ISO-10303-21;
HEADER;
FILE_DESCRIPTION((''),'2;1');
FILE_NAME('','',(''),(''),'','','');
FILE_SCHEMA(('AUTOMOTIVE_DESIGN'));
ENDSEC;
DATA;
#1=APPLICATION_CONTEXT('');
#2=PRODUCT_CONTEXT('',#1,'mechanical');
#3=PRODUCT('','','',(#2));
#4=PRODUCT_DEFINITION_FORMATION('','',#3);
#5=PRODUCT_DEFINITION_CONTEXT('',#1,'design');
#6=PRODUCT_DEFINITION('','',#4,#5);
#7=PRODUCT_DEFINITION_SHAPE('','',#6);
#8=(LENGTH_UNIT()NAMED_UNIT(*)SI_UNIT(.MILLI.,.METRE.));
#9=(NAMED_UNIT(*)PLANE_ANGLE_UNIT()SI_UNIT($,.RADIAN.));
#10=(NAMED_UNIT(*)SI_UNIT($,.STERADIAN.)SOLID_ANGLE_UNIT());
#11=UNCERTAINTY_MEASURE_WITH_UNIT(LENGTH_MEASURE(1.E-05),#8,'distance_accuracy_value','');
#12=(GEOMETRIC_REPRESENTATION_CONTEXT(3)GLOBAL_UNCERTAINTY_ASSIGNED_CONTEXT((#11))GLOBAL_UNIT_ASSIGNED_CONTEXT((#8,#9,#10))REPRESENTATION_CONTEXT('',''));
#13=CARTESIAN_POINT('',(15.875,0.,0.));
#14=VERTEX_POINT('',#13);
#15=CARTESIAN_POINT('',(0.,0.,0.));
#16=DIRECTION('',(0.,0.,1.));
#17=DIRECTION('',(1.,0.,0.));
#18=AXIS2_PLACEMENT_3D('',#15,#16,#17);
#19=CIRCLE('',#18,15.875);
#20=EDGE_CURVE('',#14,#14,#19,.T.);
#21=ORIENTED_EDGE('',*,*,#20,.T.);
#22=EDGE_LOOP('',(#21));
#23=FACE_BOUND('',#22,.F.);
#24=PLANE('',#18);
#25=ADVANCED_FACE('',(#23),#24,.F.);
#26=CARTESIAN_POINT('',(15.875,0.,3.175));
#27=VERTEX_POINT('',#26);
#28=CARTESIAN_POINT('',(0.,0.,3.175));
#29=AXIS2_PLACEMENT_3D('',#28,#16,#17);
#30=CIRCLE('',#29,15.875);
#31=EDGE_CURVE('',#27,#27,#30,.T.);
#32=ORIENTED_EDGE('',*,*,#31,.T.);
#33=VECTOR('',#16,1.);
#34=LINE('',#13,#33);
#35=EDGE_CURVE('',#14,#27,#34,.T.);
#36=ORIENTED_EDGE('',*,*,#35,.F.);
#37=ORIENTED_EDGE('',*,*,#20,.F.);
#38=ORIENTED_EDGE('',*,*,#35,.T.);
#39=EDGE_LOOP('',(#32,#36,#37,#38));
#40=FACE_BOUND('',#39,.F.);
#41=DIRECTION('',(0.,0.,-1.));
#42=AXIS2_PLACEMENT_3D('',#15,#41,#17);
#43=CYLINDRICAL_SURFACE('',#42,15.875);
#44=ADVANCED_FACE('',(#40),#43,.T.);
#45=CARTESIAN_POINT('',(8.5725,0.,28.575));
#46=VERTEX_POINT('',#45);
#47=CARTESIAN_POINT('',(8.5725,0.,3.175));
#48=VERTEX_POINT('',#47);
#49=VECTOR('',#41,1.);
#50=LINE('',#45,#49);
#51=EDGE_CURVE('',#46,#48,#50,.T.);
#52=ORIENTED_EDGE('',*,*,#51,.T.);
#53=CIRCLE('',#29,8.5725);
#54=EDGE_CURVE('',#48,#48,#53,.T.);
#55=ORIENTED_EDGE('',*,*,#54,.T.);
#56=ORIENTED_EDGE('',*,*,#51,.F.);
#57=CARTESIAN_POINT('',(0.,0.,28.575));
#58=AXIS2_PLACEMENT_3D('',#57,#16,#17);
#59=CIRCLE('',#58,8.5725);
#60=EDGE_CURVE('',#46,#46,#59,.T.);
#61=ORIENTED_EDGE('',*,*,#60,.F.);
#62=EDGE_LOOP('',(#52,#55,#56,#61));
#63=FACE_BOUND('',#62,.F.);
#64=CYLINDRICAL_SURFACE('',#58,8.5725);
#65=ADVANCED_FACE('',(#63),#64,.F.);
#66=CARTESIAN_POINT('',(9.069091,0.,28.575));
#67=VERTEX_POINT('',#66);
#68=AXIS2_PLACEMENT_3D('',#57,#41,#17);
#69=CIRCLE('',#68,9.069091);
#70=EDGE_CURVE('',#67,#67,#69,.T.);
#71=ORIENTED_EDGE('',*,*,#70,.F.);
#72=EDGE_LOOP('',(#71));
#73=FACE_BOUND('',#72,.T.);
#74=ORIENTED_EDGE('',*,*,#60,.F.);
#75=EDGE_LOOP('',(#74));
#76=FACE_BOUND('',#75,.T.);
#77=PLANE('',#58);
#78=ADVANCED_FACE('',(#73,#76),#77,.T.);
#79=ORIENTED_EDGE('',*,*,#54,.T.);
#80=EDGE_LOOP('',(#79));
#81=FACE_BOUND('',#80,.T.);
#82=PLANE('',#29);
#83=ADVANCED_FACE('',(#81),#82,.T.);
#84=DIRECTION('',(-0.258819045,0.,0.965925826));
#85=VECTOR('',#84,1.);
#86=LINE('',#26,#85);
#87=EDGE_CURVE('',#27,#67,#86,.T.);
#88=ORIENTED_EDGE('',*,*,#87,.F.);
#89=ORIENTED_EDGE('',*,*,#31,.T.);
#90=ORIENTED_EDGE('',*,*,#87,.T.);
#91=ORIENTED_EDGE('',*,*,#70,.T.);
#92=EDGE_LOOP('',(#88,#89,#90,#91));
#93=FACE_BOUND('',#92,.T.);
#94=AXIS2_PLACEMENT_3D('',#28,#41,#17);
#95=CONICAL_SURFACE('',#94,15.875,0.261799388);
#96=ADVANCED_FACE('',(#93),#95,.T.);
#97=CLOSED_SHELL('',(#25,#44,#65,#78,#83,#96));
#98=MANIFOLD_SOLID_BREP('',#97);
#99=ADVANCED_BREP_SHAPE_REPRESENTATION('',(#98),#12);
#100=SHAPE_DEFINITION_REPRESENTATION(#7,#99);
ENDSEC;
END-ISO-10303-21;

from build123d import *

# Parameters (mm, degrees)
F0_R      = 15.875
F1_DEPTH  = 3.175
F1_FACE_R = 15.875
F2_DEPTH  = 25.4
F2_TAPER  = 15
F3_R      = 8.5725
F4_DEPTH  = 25.4


with BuildPart() as f1:
    # F0 (on Top) → F1 (new body)
    with BuildSketch(Plane.XY):
        Circle(F0_R)
    extrude(amount=F1_DEPTH)

    # F1_face (on face) → F2 (join)
    with BuildSketch(Plane.XY.offset(3.175)):
        Circle(F1_FACE_R)
    extrude(amount=F2_DEPTH, taper=F2_TAPER)

    # F3 (on face) → F4 (cut)
    with BuildSketch(Plane.XY.offset(28.575)):
        Circle(F3_R)
    extrude(amount=-F4_DEPTH, mode=Mode.SUBTRACT)


solid = f1.part
